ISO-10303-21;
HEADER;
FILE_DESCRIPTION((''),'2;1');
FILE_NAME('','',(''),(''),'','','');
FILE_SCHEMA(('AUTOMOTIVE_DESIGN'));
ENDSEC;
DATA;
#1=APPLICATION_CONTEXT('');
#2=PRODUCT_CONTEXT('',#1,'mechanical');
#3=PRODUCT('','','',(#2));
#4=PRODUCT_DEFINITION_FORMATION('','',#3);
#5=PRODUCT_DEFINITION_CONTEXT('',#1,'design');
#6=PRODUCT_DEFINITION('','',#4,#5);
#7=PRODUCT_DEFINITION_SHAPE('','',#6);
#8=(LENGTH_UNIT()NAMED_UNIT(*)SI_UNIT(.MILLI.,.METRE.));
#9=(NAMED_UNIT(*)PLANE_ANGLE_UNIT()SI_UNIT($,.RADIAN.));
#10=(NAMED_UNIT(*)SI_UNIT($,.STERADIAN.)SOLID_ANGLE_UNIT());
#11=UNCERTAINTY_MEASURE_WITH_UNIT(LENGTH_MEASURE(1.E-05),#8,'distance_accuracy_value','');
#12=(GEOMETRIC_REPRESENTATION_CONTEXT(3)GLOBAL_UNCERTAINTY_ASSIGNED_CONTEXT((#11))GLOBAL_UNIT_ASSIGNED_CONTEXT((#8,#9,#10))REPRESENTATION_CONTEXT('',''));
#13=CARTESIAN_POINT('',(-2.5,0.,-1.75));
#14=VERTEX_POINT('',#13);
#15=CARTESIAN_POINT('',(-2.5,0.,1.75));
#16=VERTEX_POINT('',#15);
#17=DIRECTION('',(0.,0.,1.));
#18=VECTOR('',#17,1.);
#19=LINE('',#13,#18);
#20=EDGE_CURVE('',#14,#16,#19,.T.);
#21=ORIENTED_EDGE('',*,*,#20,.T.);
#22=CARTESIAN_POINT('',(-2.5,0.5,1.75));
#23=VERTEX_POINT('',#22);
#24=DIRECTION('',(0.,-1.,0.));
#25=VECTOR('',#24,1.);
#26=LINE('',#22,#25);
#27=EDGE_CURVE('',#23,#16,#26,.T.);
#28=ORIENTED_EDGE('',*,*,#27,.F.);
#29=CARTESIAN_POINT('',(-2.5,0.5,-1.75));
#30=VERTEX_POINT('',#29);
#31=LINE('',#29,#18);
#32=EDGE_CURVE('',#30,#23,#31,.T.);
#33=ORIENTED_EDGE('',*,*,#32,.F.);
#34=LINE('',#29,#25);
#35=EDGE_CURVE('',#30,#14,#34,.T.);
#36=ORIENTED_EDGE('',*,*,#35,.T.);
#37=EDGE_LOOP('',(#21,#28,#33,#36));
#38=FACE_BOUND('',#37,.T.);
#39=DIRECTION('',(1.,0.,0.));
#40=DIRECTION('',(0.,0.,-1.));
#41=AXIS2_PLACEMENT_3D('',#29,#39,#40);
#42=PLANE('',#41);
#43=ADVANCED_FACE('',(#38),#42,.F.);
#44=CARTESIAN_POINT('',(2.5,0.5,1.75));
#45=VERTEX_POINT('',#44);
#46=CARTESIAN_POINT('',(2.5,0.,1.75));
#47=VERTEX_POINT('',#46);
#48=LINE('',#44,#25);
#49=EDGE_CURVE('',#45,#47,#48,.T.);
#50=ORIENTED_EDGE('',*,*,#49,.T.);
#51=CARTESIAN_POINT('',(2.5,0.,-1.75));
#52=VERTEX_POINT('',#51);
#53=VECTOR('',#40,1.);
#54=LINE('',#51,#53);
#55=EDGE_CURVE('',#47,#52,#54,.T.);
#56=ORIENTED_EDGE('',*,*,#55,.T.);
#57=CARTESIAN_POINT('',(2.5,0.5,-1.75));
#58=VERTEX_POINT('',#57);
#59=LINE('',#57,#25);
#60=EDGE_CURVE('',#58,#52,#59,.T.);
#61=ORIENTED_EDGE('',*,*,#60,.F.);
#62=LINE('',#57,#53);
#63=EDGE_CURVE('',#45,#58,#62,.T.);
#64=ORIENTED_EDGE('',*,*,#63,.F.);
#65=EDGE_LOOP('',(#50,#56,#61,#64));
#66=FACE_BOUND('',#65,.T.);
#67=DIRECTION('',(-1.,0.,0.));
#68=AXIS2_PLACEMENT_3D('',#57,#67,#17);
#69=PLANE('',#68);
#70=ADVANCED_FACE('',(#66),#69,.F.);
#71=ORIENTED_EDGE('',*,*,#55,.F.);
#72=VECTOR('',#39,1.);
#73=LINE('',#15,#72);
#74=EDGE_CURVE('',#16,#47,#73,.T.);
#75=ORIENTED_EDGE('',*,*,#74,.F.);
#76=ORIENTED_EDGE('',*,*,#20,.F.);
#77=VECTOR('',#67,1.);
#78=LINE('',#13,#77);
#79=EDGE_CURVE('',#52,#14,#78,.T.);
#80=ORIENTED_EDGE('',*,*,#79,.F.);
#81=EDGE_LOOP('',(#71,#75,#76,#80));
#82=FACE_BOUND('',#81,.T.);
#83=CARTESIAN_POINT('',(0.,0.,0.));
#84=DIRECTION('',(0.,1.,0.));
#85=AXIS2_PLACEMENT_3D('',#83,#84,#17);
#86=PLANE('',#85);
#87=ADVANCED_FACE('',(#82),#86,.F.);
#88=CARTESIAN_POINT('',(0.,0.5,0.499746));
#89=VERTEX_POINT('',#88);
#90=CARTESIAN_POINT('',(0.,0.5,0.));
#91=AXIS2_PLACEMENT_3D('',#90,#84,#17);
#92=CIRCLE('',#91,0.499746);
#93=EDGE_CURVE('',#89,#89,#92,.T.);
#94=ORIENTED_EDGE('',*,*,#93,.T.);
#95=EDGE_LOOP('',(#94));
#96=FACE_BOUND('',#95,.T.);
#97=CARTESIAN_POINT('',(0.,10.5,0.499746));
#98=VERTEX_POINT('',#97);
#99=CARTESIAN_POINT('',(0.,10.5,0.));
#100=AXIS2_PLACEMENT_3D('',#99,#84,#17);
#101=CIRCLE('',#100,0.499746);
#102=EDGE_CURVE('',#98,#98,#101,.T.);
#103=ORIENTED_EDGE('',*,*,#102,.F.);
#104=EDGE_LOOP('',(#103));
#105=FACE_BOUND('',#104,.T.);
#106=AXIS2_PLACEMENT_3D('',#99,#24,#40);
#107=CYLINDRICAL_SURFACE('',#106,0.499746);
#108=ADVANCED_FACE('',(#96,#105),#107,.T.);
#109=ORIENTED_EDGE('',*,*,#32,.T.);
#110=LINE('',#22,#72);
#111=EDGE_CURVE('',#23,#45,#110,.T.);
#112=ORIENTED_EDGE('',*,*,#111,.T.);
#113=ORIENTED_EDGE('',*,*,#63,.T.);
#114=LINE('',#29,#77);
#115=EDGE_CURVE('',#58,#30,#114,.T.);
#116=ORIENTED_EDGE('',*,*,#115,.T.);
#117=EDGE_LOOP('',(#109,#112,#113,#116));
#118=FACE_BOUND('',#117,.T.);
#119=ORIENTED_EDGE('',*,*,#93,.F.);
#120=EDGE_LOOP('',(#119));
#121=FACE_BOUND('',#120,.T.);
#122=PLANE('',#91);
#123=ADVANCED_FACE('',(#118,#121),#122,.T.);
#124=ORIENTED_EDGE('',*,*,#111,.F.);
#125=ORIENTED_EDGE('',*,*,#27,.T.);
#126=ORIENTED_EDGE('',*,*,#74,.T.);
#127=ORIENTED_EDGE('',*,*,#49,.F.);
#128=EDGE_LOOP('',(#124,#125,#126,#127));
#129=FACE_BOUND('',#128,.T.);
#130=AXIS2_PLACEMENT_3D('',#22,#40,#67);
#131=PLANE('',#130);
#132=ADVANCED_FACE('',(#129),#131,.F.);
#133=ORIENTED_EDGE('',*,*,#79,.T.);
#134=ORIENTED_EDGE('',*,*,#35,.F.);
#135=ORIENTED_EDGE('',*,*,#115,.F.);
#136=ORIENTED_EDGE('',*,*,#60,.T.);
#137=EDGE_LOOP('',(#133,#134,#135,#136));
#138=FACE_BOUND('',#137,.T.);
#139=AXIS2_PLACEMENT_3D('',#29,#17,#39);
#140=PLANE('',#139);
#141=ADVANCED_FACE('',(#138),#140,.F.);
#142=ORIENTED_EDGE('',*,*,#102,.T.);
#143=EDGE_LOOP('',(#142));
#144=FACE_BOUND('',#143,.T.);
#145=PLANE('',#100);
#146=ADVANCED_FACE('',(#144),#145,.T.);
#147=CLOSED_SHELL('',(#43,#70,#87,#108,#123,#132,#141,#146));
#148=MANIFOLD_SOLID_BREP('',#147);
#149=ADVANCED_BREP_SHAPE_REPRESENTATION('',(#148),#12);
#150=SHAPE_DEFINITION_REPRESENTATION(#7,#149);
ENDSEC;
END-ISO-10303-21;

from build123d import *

# Parameters (mm, degrees)
SKETCH1_W           = 5
SKETCH1_H           = 3.5
BOSS_EXTRUDE1_DEPTH = 0.5
SKETCH2_R           = 0.499746314
BOSS_EXTRUDE2_DEPTH = 10


with BuildPart() as part:
    # Sketch1 → Boss-Extrude1 (new body)
    with BuildSketch(Plane(origin=(0, 0, 0), x_dir=(1, 0, 0), z_dir=(0, 1, 0))):
        Rectangle(SKETCH1_W, SKETCH1_H)
    extrude(amount=BOSS_EXTRUDE1_DEPTH)

    # Sketch2 → Boss-Extrude2 (add)
    with BuildSketch(Plane(origin=(0, 0.5, 0), x_dir=(1, 0, 0), z_dir=(0, 1, 0))):
        with Locations(Location((0, 0, 0), (0, 0, 270))):
            Circle(SKETCH2_R)
    extrude(amount=BOSS_EXTRUDE2_DEPTH)


solid = part.part
